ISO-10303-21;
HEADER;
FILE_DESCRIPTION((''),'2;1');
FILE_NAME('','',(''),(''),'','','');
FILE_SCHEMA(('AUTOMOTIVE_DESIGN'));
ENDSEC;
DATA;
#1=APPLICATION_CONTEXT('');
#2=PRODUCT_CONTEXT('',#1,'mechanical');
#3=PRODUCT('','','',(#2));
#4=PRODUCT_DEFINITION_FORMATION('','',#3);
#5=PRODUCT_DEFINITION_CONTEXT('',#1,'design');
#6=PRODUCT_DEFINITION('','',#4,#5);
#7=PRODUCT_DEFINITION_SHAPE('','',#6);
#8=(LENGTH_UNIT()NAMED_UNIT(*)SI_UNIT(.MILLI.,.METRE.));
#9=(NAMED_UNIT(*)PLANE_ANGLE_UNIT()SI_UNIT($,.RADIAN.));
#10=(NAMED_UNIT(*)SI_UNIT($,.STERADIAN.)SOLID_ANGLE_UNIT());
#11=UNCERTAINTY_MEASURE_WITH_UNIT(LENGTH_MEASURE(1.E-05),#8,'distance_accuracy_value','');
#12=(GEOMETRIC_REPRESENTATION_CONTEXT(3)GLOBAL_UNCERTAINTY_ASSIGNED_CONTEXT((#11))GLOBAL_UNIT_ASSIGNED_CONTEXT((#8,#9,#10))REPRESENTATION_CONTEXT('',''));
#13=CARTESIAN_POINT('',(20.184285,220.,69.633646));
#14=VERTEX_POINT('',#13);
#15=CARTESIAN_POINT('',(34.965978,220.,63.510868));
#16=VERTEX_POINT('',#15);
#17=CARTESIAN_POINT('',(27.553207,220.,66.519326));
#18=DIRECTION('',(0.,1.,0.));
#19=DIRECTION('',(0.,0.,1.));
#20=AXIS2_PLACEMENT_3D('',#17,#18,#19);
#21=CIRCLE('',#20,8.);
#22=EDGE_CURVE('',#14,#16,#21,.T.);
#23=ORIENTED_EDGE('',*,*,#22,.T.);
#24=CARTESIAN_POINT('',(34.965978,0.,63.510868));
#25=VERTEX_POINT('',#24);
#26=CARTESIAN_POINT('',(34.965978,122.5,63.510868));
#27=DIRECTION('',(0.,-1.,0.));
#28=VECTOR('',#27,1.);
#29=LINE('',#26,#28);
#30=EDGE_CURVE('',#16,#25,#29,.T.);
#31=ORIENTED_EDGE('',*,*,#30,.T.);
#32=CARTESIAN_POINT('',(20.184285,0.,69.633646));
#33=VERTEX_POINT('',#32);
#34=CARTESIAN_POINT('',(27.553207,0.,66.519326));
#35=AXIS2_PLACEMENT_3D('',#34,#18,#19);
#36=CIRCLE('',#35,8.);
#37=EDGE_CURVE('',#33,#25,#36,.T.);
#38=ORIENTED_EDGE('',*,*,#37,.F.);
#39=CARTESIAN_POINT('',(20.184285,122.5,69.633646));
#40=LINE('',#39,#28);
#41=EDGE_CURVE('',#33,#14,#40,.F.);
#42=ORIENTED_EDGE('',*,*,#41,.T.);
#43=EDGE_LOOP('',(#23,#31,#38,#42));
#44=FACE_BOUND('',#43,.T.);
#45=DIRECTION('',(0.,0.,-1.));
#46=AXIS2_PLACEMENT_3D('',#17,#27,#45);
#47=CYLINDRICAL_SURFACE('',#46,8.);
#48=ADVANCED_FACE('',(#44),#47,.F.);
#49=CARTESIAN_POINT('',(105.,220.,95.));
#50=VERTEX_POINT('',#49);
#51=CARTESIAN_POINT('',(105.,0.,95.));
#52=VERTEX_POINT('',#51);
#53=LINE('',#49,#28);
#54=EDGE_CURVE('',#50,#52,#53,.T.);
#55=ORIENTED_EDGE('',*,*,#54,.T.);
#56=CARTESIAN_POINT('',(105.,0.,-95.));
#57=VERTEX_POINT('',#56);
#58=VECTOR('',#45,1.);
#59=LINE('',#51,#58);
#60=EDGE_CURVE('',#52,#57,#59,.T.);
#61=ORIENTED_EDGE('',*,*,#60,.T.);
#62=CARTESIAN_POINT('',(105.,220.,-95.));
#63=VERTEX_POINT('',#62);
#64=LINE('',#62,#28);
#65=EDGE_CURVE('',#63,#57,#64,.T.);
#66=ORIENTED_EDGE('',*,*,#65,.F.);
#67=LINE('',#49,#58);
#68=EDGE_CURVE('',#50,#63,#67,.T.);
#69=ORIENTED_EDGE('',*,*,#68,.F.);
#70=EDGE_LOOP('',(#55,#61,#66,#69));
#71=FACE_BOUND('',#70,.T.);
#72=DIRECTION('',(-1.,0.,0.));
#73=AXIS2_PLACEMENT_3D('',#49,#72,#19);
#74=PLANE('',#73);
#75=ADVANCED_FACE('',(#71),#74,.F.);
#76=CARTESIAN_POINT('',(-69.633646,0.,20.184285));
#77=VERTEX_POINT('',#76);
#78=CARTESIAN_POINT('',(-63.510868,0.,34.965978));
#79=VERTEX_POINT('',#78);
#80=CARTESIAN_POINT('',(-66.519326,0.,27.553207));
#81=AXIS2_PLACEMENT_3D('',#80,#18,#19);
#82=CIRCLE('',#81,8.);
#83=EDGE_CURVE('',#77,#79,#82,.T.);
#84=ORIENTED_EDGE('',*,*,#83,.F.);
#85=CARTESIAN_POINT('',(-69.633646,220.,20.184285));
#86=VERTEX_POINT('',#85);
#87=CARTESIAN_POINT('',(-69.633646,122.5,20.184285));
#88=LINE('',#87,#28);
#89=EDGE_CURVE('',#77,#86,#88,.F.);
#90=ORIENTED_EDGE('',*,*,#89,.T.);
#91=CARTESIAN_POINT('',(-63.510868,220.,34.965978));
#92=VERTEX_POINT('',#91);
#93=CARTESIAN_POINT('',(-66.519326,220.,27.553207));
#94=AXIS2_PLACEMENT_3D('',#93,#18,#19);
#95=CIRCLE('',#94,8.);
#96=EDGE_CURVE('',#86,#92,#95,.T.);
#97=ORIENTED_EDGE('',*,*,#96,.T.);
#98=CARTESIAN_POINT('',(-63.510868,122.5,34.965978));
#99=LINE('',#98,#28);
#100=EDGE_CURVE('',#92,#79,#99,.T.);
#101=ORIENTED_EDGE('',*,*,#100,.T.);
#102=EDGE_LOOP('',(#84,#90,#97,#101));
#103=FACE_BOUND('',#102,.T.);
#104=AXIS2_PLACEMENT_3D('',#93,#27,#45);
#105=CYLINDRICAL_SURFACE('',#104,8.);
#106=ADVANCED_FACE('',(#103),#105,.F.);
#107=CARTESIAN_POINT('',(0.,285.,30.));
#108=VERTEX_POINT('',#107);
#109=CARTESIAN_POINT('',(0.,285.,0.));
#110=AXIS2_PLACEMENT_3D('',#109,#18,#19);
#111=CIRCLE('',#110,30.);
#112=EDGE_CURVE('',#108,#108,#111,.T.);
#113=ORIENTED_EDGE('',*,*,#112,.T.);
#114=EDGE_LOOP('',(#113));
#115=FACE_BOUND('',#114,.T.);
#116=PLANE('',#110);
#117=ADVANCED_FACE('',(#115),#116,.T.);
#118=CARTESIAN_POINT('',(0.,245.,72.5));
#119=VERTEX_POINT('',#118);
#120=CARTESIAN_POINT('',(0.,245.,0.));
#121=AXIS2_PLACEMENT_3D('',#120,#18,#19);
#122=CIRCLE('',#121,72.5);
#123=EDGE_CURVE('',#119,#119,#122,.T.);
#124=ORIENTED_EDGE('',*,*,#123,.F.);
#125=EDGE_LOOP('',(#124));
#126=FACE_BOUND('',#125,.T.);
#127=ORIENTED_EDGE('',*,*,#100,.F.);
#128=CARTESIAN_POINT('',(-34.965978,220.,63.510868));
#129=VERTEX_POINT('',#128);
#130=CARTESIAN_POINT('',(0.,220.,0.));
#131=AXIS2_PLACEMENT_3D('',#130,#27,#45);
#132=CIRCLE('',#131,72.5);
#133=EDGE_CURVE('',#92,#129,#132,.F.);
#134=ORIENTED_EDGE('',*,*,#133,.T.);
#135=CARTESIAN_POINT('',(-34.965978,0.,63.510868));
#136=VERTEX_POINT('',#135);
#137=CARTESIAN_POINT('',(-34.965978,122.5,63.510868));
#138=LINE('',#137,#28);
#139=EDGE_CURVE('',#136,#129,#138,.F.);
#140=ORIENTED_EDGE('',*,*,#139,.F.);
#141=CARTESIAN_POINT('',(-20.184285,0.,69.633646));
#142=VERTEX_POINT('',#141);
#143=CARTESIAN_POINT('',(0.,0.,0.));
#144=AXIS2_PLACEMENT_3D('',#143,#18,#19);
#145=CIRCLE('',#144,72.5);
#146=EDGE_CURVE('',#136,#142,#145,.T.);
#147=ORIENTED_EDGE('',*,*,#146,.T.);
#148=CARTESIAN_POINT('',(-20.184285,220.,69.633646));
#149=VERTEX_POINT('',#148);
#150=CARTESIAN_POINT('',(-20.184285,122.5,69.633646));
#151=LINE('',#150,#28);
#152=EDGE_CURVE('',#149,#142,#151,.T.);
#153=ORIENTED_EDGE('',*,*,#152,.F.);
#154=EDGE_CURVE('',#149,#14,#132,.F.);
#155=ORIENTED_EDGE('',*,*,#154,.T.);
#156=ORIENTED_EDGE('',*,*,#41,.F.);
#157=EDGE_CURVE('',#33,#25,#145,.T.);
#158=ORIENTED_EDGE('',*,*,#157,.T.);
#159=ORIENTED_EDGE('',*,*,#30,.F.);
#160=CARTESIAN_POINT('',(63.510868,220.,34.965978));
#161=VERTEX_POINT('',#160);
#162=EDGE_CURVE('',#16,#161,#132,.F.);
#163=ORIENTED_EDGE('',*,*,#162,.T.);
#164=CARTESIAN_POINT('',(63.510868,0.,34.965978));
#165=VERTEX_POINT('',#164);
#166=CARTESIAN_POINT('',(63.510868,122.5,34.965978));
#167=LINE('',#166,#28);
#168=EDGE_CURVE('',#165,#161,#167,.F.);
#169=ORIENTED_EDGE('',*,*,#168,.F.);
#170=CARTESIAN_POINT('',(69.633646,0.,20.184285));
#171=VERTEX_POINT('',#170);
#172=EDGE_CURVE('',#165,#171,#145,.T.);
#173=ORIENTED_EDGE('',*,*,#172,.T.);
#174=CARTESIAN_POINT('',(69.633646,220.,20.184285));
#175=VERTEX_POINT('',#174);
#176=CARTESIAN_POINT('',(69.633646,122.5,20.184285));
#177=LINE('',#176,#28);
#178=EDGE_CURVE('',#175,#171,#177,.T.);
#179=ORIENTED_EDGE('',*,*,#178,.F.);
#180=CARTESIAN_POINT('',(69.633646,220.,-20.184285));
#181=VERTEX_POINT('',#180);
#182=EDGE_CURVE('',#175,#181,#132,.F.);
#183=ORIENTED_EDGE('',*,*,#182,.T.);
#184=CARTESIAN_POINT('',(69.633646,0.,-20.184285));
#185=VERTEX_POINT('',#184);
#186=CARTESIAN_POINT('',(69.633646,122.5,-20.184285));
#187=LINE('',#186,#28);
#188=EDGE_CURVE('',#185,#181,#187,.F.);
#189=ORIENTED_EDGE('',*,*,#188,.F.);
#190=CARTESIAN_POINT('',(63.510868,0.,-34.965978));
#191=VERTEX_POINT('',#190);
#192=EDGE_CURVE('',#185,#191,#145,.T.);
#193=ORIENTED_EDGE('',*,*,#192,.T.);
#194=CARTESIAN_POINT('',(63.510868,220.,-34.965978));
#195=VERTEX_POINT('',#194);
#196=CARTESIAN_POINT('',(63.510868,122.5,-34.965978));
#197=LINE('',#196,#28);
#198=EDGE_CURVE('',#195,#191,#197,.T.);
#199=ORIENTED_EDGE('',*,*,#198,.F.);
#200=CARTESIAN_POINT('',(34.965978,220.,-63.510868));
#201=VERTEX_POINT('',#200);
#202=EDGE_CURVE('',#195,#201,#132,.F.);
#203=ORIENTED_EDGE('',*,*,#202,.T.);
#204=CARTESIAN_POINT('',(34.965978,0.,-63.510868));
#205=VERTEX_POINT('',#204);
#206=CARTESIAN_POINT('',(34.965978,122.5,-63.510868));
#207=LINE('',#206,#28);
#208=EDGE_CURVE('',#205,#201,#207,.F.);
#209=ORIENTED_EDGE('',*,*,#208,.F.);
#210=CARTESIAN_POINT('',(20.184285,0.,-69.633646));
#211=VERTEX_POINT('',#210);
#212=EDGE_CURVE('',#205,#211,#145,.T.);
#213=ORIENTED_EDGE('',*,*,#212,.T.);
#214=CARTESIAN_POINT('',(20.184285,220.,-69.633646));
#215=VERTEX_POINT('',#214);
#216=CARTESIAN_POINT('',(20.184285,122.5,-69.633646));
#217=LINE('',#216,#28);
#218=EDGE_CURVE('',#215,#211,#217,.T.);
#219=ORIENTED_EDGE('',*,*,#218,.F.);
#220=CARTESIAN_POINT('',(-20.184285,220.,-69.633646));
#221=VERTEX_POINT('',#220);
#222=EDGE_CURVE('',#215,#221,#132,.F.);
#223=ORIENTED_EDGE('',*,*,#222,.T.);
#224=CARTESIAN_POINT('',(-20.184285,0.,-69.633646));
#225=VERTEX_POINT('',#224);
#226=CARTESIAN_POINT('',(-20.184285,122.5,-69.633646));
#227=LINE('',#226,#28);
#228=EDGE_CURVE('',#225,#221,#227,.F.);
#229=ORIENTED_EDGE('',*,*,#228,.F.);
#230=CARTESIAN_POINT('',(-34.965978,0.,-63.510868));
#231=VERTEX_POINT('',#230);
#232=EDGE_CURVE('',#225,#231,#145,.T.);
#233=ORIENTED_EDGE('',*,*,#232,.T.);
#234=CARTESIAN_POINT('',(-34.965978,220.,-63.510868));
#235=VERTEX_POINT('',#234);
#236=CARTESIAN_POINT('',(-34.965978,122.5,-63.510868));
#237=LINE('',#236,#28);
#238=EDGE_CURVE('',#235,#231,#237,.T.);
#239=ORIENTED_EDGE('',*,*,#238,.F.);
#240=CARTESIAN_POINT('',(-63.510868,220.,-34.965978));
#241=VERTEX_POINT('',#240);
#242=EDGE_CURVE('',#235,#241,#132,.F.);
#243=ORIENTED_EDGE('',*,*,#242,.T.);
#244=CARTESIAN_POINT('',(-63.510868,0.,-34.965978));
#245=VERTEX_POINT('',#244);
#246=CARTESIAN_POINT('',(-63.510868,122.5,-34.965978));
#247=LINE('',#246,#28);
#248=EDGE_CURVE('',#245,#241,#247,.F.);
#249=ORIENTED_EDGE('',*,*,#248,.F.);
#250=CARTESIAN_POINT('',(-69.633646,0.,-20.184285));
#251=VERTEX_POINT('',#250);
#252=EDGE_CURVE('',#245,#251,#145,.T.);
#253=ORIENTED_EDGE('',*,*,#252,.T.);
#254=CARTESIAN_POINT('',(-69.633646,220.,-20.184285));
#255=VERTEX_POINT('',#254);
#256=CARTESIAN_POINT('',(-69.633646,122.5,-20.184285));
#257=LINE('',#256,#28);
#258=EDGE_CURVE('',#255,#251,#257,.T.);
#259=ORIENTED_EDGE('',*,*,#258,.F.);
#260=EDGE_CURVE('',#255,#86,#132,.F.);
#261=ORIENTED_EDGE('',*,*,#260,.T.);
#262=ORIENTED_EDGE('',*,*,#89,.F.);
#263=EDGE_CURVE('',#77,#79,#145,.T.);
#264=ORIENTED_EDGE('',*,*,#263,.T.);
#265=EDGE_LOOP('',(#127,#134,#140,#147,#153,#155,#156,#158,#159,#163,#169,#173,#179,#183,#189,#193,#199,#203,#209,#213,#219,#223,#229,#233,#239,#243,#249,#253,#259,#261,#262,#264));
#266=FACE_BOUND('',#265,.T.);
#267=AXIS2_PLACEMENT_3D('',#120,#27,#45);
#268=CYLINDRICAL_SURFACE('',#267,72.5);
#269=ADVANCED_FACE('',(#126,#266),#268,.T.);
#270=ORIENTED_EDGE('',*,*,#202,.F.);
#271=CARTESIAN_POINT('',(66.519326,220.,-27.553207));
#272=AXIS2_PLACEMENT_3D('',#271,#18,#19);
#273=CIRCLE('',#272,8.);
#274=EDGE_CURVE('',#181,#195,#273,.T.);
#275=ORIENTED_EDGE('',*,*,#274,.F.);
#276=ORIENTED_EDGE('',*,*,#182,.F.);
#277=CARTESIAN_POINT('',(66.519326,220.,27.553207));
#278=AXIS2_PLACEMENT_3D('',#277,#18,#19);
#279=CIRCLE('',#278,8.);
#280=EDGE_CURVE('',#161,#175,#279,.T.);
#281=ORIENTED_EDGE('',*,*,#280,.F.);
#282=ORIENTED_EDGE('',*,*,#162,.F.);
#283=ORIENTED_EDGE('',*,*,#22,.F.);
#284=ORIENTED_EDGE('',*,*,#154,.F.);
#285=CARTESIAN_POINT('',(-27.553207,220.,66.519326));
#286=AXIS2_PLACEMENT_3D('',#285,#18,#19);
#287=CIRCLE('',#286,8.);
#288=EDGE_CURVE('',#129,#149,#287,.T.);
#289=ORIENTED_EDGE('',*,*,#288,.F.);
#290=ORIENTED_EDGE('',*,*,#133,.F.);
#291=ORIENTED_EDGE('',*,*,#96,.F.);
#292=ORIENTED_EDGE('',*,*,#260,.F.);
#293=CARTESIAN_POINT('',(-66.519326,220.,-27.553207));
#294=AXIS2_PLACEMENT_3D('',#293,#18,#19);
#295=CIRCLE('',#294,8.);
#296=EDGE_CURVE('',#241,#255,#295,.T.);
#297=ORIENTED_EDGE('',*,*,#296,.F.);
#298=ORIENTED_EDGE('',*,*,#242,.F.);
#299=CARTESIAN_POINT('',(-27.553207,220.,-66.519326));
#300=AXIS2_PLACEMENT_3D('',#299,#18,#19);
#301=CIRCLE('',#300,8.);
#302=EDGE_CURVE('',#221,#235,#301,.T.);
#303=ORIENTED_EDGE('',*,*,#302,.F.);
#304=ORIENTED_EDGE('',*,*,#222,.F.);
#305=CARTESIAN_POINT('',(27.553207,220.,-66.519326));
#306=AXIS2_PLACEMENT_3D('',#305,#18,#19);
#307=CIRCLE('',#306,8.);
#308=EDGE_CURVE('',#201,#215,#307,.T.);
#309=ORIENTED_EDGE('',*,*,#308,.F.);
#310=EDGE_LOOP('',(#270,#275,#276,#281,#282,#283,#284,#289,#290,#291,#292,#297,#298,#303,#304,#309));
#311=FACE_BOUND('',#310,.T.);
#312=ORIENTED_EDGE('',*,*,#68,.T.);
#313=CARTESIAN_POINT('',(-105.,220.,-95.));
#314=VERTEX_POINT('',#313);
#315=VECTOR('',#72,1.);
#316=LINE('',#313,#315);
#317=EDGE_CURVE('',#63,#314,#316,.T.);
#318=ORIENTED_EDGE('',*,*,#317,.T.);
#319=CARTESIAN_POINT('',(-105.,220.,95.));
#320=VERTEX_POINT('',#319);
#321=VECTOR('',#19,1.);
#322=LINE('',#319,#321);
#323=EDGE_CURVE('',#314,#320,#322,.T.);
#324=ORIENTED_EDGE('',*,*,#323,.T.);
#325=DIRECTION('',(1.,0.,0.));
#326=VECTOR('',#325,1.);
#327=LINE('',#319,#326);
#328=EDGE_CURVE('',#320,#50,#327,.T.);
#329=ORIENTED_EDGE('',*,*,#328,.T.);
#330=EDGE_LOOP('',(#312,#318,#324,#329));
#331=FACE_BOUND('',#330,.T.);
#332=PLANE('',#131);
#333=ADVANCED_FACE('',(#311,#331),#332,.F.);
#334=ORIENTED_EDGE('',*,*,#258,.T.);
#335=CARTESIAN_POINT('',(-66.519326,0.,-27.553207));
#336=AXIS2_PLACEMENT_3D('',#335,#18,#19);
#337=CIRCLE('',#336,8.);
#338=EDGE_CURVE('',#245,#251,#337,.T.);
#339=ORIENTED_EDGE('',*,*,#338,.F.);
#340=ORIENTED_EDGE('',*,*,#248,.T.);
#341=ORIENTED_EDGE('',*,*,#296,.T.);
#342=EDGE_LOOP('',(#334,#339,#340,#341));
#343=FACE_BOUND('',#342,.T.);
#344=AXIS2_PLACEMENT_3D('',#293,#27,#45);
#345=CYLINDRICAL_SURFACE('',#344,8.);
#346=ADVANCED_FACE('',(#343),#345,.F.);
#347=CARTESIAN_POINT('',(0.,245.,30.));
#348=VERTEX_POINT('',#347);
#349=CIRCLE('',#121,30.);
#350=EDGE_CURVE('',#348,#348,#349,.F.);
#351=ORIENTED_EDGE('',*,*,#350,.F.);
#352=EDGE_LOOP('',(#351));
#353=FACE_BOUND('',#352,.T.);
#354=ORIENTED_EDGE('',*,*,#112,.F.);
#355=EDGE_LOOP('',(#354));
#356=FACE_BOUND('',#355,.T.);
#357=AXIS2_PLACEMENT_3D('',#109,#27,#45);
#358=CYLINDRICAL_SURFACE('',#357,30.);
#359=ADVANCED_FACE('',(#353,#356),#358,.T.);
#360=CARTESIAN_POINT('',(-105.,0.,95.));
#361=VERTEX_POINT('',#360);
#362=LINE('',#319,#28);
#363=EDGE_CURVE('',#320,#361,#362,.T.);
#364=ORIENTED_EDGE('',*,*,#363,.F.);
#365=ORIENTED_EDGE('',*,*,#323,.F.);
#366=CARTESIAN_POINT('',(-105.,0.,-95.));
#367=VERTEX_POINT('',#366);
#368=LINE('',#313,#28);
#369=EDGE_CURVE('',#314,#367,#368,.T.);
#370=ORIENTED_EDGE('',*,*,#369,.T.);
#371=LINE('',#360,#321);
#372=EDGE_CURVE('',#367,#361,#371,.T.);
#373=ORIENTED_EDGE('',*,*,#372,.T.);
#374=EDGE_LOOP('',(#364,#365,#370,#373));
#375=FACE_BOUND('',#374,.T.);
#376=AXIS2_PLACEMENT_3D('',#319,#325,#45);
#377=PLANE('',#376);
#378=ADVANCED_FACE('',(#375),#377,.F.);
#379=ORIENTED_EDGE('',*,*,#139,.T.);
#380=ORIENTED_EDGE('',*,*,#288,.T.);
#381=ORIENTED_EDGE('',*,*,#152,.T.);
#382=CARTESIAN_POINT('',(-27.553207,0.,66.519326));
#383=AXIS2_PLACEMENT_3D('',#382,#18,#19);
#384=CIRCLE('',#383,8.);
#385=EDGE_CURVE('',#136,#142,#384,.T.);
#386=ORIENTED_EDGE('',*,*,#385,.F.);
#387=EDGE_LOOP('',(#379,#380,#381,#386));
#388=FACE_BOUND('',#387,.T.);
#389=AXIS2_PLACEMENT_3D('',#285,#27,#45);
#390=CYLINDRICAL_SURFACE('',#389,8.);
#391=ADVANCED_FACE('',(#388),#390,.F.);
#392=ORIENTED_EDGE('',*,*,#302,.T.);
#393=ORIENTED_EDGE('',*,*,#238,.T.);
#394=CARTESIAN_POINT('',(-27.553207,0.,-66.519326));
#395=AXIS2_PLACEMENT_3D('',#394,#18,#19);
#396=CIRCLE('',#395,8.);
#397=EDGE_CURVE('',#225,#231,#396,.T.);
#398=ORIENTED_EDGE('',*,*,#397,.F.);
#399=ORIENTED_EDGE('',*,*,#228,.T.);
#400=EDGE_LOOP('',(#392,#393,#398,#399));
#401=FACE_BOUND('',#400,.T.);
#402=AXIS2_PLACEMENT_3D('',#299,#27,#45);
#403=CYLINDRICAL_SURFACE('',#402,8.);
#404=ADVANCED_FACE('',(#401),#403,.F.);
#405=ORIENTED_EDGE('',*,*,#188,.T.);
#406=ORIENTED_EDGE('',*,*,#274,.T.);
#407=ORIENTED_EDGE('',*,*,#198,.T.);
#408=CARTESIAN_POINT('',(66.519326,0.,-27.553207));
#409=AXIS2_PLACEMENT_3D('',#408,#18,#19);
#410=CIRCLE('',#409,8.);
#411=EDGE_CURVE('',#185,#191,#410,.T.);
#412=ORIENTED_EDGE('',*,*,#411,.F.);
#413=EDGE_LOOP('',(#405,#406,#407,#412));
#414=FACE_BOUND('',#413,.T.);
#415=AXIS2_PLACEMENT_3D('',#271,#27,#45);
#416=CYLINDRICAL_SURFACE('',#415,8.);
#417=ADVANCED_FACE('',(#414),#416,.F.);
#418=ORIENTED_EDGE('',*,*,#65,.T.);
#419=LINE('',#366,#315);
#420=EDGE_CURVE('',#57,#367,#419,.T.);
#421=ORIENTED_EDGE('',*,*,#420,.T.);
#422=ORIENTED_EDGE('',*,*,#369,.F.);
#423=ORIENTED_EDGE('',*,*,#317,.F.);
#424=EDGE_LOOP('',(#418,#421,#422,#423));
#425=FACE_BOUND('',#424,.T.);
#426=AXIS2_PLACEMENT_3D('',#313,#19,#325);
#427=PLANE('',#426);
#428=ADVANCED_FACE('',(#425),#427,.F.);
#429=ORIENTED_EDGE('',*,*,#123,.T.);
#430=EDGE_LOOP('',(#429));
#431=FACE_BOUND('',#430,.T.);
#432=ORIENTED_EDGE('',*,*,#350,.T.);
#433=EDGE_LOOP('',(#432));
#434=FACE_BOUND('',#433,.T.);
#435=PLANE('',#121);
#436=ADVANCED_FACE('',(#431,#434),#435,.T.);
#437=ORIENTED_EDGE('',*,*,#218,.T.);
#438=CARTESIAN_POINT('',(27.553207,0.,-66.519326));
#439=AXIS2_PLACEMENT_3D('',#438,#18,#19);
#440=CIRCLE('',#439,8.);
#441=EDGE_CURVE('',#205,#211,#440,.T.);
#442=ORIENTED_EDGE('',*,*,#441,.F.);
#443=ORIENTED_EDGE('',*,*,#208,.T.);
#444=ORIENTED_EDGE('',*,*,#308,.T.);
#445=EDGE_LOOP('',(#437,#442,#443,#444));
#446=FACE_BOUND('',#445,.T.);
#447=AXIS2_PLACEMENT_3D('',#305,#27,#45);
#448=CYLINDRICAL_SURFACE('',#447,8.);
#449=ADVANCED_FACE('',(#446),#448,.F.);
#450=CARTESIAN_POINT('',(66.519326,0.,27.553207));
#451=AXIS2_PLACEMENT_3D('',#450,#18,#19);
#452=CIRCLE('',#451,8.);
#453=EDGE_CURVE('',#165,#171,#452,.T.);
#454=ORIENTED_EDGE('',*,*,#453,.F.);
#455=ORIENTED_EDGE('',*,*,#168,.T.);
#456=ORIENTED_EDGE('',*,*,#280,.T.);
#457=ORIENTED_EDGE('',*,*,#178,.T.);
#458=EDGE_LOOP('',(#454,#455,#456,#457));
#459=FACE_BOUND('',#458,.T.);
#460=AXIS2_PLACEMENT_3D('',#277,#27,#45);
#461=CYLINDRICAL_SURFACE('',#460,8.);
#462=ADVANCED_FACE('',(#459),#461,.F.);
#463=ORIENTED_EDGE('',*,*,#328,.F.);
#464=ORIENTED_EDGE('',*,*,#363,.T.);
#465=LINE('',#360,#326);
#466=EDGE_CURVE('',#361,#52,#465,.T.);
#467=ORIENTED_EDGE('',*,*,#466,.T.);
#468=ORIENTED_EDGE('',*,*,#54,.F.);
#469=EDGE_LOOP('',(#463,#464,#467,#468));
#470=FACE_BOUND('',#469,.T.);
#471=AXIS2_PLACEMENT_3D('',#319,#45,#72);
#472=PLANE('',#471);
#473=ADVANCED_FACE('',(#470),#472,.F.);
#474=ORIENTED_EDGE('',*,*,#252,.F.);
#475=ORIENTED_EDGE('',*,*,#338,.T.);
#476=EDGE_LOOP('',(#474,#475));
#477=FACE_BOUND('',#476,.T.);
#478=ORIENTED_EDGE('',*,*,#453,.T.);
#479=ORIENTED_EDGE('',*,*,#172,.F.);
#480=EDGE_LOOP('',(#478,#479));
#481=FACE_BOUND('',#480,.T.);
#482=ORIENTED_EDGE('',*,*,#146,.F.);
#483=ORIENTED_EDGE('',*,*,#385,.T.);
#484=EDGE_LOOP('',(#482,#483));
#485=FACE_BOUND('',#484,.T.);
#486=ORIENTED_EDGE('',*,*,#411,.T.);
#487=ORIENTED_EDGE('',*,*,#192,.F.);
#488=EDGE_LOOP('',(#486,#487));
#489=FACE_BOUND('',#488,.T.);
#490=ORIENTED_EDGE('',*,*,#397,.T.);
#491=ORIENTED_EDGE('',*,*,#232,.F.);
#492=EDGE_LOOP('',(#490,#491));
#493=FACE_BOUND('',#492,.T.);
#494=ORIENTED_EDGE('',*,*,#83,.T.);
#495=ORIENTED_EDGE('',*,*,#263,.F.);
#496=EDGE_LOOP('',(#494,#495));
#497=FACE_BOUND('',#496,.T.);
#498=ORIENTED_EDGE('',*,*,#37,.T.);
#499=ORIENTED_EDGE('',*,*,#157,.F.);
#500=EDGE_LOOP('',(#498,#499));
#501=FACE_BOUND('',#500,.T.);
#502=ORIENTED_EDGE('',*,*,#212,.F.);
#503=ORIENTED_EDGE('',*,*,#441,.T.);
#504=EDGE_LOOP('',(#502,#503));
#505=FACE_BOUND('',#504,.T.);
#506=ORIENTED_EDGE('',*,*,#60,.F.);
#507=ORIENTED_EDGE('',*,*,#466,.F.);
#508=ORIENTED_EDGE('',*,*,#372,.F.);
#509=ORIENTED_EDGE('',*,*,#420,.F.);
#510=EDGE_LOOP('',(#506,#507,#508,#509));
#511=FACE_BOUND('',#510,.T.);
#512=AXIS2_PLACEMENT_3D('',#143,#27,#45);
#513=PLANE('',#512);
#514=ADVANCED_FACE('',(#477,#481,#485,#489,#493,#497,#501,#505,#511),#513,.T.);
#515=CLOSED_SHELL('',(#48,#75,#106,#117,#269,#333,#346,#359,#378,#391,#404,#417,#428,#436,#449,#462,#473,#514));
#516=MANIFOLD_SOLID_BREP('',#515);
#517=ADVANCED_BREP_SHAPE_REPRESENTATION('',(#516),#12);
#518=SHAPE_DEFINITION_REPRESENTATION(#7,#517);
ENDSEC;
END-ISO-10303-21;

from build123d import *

# Parameters (mm, degrees)
F_01_HOUSING_PROFILE_W        = 210
F_01_HOUSING_PROFILE_H        = 190
F_01_HOUSING_PROFILE_R        = 8
F_01_HOUSING_BLOCK_DEPTH      = 220
F_02_FACE_BOSS_PROFILE_R      = 72.5
F_02_FACE_LOCATING_BOSS_DEPTH = 245
F_03_OUTPUT_SHAFT_PROFILE_R   = 30
F_03_OUTPUT_SHAFT_DEPTH       = 285


with BuildPart() as part:
    # 01_Housing_Profile → 01_Housing_Block (new body)
    with BuildSketch(Plane(origin=(0, 0, 0), x_dir=(1, 0, 0), z_dir=(0, 1, 0))):
        Rectangle(F_01_HOUSING_PROFILE_W, F_01_HOUSING_PROFILE_H)
        with Locations(Location((66.519326341, 27.55320713, 0), (0, 0, 270))):
            Circle(F_01_HOUSING_PROFILE_R, mode=Mode.SUBTRACT)
        with Locations(Location((27.55320713, 66.519326341, 0), (0, 0, 270))):
            Circle(F_01_HOUSING_PROFILE_R, mode=Mode.SUBTRACT)
        with Locations(Location((-27.55320713, 66.519326341, 0), (0, 0, 270))):
            Circle(F_01_HOUSING_PROFILE_R, mode=Mode.SUBTRACT)
        with Locations(Location((-66.519326341, 27.55320713, 0), (0, 0, 270))):
            Circle(F_01_HOUSING_PROFILE_R, mode=Mode.SUBTRACT)
        with Locations(Location((-66.519326341, -27.55320713, 0), (0, 0, 270))):
            Circle(F_01_HOUSING_PROFILE_R, mode=Mode.SUBTRACT)
        with Locations(Location((-27.55320713, -66.519326341, 0), (0, 0, 270))):
            Circle(F_01_HOUSING_PROFILE_R, mode=Mode.SUBTRACT)
        with Locations(Location((27.55320713, -66.519326341, 0), (0, 0, 270))):
            Circle(F_01_HOUSING_PROFILE_R, mode=Mode.SUBTRACT)
        with Locations(Location((66.519326341, -27.55320713, 0), (0, 0, 270))):
            Circle(F_01_HOUSING_PROFILE_R, mode=Mode.SUBTRACT)
    extrude(amount=F_01_HOUSING_BLOCK_DEPTH)

    # 02_Face_Boss_Profile → 02_Face_Locating_Boss (add)
    with BuildSketch(Plane(origin=(0, 0, 0), x_dir=(1, 0, 0), z_dir=(0, 1, 0))):
        with Locations(Location((0, 0, 0), (0, 0, 73.835030621))):
            Circle(F_02_FACE_BOSS_PROFILE_R)
    extrude(amount=F_02_FACE_LOCATING_BOSS_DEPTH)

    # 03_Output_Shaft_Profile → 03_Output_Shaft (add)
    with BuildSketch(Plane(origin=(0, 0, 0), x_dir=(1, 0, 0), z_dir=(0, 1, 0))):
        with Locations(Location((0, 0, 0), (0, 0, 270))):
            Circle(F_03_OUTPUT_SHAFT_PROFILE_R)
    extrude(amount=F_03_OUTPUT_SHAFT_DEPTH)


solid = part.part
